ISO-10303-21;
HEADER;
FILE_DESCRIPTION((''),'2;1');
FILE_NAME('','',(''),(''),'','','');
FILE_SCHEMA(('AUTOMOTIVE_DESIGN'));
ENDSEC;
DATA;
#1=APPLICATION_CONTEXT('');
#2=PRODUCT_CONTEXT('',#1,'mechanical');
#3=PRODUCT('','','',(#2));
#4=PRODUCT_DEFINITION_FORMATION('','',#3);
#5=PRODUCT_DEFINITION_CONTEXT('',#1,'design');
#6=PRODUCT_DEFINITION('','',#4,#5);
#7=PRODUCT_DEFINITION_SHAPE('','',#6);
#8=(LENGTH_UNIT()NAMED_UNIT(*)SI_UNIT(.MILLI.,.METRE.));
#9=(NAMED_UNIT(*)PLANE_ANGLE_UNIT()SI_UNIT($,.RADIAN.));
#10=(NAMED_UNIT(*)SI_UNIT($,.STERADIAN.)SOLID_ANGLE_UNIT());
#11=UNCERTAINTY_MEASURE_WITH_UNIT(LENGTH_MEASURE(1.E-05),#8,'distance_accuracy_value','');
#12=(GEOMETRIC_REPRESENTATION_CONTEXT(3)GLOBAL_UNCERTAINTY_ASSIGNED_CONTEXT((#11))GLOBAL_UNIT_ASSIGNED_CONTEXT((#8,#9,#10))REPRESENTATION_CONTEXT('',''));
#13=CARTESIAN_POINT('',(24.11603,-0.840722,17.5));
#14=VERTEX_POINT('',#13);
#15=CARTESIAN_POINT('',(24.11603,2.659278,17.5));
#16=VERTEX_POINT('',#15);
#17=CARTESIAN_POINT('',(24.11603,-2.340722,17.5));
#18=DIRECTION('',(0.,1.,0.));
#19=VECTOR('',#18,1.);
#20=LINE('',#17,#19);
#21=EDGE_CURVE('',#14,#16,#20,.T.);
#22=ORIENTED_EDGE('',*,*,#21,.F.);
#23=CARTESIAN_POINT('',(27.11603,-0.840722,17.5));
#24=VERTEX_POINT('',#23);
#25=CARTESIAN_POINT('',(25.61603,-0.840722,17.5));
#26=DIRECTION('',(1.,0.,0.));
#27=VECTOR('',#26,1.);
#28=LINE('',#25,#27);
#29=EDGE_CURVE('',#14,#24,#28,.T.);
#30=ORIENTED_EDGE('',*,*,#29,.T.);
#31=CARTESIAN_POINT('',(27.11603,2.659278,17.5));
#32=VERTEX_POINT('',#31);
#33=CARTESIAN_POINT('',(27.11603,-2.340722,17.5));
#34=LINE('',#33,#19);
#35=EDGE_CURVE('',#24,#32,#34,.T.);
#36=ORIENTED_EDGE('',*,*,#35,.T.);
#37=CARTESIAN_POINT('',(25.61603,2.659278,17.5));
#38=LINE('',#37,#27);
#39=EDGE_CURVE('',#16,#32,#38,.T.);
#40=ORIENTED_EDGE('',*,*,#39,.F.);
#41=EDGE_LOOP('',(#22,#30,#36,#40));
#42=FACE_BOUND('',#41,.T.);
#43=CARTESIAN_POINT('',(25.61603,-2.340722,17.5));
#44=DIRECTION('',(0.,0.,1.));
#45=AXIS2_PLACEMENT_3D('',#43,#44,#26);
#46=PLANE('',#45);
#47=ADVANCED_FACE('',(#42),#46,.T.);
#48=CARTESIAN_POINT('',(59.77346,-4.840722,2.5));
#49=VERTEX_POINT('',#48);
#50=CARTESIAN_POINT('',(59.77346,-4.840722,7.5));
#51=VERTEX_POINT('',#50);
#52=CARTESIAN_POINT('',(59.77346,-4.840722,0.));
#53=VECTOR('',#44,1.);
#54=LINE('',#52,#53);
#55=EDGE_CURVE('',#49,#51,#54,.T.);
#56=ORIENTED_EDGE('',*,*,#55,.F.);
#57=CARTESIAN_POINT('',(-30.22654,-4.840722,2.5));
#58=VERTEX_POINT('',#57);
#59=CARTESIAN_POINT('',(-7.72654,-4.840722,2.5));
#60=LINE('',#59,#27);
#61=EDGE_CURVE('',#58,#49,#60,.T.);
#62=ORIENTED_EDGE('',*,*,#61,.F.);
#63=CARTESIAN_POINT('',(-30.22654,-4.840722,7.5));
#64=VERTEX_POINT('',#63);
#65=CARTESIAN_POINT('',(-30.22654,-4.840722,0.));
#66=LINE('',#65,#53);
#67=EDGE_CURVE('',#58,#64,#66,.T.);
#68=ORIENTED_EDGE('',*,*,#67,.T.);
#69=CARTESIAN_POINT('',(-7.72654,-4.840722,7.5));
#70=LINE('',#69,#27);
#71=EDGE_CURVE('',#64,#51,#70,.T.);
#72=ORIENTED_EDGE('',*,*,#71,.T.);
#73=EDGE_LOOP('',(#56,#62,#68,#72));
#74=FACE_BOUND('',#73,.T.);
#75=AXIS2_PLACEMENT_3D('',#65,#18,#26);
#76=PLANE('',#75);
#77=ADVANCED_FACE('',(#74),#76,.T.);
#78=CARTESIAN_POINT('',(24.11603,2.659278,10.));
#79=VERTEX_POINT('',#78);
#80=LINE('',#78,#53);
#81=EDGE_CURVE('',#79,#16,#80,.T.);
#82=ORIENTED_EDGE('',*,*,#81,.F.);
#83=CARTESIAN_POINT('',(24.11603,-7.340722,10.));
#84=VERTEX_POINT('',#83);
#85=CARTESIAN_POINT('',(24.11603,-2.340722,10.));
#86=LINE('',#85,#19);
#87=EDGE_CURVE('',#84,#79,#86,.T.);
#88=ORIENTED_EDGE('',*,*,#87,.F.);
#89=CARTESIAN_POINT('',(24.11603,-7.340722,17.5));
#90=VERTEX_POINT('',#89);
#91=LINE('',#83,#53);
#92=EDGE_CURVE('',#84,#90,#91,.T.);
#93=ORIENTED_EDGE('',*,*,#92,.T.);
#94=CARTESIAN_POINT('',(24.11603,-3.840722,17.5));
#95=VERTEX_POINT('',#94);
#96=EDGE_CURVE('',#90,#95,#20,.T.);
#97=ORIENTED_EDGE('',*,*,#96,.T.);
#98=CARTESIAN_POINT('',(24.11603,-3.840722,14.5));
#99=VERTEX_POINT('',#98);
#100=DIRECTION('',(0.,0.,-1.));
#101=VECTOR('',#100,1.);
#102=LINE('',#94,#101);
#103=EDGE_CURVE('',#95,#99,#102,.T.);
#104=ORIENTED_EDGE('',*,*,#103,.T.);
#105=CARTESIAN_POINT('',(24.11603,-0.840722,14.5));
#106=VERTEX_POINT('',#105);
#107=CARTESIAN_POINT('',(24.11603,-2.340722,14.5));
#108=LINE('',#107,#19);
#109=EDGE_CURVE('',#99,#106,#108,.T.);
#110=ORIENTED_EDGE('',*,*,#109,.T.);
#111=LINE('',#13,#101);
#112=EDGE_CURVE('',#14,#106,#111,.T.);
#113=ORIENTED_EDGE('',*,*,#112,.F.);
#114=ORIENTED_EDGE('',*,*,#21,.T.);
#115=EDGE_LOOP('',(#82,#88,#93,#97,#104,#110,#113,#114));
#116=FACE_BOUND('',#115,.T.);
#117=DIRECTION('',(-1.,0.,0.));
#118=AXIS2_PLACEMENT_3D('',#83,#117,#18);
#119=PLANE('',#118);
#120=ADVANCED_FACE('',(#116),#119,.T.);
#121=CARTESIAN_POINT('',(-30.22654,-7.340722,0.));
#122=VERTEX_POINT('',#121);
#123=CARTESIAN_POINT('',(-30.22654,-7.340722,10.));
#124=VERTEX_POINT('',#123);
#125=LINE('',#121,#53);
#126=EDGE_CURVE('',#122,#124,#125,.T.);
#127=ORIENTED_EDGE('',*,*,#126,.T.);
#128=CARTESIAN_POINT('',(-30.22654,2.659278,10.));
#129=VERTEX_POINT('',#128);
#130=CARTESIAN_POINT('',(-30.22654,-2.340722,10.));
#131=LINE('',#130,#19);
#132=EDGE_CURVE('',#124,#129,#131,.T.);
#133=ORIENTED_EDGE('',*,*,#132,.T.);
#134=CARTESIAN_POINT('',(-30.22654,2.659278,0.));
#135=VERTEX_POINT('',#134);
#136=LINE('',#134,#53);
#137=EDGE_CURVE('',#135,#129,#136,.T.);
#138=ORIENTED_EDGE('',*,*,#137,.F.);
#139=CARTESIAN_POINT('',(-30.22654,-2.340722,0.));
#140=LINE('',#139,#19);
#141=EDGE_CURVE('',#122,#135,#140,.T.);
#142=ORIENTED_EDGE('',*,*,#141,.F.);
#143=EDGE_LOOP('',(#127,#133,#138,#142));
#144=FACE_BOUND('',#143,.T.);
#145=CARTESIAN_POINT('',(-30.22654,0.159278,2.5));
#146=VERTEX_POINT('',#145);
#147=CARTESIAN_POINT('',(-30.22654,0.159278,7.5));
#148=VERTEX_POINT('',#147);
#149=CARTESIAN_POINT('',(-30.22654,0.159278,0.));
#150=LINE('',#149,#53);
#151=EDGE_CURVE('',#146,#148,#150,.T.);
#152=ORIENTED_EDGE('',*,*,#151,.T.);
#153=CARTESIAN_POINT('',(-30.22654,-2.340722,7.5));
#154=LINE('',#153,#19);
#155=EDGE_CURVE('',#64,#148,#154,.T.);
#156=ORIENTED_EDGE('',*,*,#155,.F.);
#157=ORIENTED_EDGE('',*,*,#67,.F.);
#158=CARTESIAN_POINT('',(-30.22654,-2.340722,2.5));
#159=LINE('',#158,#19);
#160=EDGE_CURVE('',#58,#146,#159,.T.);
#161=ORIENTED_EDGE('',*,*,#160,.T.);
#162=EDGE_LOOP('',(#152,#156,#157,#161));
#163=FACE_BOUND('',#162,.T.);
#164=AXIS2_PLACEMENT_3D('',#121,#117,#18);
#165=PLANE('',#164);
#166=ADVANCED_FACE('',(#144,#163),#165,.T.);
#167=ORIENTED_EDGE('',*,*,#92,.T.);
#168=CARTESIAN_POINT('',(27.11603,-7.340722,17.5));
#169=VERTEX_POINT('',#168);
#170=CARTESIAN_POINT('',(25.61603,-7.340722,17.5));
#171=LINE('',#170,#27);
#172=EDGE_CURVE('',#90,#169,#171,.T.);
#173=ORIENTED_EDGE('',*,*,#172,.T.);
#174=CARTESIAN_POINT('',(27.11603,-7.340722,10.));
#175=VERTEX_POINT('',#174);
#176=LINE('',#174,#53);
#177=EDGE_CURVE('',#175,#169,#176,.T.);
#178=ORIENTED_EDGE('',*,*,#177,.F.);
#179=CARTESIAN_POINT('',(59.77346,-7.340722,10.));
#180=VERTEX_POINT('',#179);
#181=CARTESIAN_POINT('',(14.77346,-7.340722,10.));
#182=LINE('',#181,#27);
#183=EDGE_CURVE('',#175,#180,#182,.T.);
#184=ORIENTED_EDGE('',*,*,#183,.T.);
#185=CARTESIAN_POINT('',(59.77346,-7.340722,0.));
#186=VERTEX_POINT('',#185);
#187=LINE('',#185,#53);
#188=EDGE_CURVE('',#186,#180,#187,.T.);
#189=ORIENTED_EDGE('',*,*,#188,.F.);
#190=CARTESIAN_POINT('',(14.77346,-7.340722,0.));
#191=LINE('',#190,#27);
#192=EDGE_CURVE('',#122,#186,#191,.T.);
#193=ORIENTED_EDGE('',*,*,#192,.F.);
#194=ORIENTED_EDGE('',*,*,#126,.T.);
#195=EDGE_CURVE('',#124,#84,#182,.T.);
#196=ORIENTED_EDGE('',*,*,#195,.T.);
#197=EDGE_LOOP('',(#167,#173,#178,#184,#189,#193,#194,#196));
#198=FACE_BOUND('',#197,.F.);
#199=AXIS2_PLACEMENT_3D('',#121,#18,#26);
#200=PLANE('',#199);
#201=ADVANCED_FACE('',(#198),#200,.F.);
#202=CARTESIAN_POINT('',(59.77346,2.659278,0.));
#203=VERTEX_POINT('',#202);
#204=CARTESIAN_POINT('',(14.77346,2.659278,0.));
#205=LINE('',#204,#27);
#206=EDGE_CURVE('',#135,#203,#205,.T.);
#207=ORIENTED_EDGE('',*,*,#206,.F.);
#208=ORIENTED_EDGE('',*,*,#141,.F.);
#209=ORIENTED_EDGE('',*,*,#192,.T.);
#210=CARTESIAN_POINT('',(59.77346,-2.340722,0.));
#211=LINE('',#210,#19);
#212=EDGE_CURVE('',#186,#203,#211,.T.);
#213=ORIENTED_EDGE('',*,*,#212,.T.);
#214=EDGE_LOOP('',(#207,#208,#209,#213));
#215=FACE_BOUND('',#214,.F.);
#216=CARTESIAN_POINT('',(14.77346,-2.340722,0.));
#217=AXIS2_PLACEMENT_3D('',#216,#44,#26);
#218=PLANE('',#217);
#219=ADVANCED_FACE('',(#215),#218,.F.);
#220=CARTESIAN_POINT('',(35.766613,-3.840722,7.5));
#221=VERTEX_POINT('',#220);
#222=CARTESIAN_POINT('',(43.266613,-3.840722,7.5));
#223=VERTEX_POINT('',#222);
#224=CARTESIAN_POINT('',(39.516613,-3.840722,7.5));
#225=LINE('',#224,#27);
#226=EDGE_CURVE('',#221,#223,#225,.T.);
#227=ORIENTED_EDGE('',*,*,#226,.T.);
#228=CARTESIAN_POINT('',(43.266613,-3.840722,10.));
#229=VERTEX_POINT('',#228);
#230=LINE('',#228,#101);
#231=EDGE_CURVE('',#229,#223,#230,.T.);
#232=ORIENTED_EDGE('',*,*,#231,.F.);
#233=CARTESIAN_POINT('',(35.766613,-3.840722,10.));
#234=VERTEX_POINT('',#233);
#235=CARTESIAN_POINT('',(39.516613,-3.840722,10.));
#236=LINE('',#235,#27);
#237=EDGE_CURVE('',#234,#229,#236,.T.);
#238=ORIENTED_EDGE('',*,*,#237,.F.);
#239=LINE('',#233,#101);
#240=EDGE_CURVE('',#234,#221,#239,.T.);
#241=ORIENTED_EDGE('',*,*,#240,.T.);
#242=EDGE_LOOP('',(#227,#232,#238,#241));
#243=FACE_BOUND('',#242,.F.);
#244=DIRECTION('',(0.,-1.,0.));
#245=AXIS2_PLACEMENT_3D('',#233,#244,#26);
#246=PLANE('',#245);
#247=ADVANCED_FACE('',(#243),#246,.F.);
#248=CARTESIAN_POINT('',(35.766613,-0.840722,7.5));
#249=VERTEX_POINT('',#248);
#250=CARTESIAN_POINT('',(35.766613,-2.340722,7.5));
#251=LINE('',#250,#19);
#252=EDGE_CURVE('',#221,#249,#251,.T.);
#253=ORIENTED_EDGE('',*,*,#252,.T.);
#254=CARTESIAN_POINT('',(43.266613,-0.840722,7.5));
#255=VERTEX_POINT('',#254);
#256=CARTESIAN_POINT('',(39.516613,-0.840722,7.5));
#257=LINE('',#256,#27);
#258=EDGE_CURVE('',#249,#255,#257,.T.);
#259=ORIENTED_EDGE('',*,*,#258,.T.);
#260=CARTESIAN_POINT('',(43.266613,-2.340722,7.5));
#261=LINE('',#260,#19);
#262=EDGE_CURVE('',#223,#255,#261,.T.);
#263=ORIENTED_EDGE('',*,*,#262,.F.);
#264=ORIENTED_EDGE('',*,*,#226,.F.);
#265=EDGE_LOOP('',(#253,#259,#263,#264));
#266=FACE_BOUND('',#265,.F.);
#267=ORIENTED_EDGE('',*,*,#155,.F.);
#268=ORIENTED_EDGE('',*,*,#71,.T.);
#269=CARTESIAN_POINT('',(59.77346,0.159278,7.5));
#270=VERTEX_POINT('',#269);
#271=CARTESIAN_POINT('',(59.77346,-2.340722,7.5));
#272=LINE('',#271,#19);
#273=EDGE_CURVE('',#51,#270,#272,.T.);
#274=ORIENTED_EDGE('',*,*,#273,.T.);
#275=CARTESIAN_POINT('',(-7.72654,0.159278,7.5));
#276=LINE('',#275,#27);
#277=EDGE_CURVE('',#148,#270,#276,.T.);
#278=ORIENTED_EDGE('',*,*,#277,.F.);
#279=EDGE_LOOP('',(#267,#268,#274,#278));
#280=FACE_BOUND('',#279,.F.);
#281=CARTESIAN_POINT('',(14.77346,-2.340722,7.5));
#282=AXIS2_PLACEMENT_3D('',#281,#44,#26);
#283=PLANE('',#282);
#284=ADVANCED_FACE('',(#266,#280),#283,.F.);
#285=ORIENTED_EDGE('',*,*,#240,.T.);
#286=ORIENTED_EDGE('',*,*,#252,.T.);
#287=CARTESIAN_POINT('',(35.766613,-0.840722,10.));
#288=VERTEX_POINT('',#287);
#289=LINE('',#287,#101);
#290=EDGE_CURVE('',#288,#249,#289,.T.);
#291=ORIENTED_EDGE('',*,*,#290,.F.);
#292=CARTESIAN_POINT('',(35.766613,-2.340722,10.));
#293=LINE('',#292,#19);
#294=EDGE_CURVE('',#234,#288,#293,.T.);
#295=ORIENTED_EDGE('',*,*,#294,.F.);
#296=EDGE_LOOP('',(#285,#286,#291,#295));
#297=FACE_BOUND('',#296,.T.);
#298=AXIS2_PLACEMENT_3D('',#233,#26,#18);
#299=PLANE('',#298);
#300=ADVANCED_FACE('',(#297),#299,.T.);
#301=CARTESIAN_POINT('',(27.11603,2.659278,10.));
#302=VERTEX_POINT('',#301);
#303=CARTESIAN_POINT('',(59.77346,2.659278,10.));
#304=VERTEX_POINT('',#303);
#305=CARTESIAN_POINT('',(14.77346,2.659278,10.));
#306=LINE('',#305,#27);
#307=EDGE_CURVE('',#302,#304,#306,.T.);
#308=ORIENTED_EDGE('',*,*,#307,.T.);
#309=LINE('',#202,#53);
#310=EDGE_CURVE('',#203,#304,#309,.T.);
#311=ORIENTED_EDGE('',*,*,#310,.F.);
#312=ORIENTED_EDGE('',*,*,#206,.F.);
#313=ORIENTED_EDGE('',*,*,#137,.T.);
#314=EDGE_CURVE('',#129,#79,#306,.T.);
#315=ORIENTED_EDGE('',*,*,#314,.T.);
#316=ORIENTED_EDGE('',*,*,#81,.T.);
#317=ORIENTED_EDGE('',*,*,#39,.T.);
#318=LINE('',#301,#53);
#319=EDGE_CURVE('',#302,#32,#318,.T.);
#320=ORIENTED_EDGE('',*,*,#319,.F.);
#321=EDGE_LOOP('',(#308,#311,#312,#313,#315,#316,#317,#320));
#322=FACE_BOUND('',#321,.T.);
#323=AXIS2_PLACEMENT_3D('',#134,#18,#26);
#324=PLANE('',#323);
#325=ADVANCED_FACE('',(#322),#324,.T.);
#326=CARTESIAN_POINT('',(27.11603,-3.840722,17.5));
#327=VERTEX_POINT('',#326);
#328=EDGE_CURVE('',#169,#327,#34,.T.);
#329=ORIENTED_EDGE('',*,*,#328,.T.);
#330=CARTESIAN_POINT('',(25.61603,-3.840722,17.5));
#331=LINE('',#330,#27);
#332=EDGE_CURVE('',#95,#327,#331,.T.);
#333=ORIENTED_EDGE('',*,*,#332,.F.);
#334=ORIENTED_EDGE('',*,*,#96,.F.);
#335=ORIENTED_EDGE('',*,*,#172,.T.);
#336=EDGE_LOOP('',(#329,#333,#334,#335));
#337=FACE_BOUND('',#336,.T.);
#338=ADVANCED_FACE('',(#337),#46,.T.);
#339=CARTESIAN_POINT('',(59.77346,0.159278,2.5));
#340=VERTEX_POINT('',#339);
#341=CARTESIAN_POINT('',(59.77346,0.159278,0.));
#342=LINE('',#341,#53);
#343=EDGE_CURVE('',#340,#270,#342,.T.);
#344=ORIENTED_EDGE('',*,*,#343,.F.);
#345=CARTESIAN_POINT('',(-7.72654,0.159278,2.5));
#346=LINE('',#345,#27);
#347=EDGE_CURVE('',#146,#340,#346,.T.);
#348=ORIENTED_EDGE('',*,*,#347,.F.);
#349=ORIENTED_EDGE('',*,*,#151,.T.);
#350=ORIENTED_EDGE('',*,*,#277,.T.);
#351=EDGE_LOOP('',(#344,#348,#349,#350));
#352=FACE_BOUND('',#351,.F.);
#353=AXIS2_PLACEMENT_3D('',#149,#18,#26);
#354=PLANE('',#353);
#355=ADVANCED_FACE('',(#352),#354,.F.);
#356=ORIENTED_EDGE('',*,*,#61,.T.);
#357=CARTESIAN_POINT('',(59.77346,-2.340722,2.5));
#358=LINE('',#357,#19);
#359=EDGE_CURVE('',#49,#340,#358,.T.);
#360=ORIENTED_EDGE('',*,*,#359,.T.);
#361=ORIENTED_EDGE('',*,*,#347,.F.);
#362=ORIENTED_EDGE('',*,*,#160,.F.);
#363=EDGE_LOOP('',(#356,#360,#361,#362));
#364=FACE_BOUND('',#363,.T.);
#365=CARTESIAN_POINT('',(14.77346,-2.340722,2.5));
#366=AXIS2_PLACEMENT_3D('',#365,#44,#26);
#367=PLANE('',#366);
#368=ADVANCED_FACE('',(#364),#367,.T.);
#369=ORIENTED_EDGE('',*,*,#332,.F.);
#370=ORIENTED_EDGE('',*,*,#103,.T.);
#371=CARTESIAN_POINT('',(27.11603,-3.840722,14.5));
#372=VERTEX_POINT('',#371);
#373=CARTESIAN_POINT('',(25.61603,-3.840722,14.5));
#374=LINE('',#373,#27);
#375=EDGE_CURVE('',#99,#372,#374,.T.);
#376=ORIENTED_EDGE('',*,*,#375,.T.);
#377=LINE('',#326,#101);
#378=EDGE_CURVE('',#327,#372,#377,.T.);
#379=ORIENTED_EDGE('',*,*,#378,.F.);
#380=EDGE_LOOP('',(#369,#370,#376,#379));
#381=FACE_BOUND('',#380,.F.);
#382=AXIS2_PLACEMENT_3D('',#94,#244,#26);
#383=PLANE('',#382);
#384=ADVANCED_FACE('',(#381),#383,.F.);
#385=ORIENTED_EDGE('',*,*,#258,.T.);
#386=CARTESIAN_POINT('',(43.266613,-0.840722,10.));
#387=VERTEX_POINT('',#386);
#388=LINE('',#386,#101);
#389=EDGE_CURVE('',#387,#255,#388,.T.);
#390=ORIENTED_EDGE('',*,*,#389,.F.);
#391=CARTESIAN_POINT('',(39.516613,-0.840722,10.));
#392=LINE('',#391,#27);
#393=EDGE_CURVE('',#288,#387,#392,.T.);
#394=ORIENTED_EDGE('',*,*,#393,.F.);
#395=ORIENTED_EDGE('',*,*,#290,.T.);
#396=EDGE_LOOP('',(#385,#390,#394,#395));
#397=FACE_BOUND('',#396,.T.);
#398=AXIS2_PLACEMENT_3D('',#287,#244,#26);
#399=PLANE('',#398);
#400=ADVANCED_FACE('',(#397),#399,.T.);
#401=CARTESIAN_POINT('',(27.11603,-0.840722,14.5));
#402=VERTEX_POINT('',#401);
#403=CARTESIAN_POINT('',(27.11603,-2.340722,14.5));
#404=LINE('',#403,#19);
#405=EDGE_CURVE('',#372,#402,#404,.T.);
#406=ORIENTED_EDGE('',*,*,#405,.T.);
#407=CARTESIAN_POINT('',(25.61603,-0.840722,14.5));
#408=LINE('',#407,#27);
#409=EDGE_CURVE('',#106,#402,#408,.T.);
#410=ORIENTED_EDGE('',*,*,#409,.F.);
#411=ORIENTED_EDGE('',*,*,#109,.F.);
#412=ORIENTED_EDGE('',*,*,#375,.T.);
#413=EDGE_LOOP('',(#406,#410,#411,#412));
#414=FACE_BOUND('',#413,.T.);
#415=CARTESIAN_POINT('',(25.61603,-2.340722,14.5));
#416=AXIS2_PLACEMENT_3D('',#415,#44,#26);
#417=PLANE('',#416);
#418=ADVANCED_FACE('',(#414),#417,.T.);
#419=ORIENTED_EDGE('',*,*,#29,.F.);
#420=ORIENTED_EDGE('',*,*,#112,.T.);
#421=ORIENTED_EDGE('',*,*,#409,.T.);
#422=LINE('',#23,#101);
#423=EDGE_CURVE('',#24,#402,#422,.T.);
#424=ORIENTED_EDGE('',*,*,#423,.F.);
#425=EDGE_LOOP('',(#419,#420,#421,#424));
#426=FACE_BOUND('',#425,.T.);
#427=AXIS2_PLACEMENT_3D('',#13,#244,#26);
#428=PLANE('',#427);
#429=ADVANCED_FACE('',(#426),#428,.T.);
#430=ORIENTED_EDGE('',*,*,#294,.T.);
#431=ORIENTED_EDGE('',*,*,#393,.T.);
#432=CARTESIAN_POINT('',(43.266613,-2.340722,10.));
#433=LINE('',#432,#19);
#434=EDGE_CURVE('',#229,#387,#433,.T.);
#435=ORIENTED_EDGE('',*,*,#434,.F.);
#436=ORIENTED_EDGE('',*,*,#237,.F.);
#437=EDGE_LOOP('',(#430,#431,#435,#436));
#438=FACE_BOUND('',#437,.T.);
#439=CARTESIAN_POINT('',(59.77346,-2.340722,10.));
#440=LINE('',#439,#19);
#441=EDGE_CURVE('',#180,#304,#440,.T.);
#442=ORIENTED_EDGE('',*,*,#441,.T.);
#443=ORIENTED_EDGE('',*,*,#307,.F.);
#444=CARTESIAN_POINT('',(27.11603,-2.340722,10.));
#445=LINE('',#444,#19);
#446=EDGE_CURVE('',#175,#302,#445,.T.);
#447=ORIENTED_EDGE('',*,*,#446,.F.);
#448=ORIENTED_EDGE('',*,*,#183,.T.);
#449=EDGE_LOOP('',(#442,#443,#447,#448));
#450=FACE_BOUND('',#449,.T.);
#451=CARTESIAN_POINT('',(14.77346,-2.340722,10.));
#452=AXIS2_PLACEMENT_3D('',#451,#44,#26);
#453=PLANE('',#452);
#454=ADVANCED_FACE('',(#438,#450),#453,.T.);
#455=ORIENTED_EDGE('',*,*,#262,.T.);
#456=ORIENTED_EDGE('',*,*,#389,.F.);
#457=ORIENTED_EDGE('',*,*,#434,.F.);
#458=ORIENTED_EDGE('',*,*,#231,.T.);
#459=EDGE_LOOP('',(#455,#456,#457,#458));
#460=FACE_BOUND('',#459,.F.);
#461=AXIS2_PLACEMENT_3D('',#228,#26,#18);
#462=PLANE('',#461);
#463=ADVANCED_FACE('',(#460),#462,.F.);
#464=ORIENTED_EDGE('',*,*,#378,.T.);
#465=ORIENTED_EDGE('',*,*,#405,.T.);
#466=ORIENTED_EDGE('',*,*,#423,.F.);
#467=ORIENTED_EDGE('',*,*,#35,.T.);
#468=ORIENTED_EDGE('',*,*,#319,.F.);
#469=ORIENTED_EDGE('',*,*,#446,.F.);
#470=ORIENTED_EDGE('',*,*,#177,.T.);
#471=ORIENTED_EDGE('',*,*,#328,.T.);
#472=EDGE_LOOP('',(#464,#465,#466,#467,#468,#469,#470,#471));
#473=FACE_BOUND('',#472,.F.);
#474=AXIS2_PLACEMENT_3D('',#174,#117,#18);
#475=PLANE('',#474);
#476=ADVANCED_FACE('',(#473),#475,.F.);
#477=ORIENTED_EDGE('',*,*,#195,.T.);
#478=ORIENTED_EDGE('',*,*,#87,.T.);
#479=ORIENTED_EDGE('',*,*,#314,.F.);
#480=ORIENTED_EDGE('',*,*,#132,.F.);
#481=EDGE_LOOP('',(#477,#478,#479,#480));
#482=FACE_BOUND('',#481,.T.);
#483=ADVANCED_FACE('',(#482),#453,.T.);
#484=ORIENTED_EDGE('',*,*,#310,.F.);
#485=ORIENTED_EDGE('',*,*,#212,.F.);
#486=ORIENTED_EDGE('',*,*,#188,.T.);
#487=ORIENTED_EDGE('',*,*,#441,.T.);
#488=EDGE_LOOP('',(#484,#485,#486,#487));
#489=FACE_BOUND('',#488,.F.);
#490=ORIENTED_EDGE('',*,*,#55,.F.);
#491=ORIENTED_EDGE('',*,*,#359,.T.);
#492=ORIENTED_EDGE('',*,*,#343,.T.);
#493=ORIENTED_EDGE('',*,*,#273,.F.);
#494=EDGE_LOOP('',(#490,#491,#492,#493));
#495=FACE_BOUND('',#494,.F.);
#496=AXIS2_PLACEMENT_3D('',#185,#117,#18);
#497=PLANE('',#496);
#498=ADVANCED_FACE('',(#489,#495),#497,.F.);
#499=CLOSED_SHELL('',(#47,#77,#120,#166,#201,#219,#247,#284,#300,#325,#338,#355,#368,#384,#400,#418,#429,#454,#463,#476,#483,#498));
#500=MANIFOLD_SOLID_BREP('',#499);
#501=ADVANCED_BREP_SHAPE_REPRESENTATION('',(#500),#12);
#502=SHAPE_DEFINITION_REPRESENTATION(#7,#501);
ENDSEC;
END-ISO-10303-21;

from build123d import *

# Parameters (mm, degrees)
F0_W     = 90
F0_H     = 10
F1_DEPTH = 10
F2_T     = -2.5
F3_W     = 7.5
F3_H     = 3
F4_DEPTH = 2.5
F5_W     = 3
F5_H     = 10
F6_DEPTH = 7.5
F7_W     = 3
F7_H     = 3
F8_DEPTH = 3


with BuildPart() as f1:
    # F0 (on Top) → F1 (new body)
    with BuildSketch(Plane.XY):
        with Locations((14.77346, -2.340722)):
            Rectangle(F0_W, F0_H)
    extrude(amount=F1_DEPTH)

    # F2
    f2_openings = [f1.faces().sort_by_distance(p)[0] for p in [
        (59.77346, -2.340722, 5),
        (-30.22654, -2.340722, 5),
    ]]
    offset(amount=F2_T, openings=f2_openings)

    # F3 (on face) → F4 (cut, through all)
    with BuildSketch(Plane.XY.offset(10)):
        with Locations((39.516613, -2.340722)):
            Rectangle(F3_W, F3_H)
    extrude(amount=-F4_DEPTH, mode=Mode.SUBTRACT)

    # F5 (on face) → F6 (join)
    with BuildSketch(Plane.XY.offset(10)):
        with Locations((25.61603, -2.340722)):
            Rectangle(F5_W, F5_H)
    extrude(amount=F6_DEPTH)

    # F7 (on face) → F8 (cut)
    with BuildSketch(Plane.XY.offset(17.5)):
        with Locations((25.61603, -2.340722)):
            Rectangle(F7_W, F7_H)
    extrude(amount=-F8_DEPTH, mode=Mode.SUBTRACT)


solid = f1.part
